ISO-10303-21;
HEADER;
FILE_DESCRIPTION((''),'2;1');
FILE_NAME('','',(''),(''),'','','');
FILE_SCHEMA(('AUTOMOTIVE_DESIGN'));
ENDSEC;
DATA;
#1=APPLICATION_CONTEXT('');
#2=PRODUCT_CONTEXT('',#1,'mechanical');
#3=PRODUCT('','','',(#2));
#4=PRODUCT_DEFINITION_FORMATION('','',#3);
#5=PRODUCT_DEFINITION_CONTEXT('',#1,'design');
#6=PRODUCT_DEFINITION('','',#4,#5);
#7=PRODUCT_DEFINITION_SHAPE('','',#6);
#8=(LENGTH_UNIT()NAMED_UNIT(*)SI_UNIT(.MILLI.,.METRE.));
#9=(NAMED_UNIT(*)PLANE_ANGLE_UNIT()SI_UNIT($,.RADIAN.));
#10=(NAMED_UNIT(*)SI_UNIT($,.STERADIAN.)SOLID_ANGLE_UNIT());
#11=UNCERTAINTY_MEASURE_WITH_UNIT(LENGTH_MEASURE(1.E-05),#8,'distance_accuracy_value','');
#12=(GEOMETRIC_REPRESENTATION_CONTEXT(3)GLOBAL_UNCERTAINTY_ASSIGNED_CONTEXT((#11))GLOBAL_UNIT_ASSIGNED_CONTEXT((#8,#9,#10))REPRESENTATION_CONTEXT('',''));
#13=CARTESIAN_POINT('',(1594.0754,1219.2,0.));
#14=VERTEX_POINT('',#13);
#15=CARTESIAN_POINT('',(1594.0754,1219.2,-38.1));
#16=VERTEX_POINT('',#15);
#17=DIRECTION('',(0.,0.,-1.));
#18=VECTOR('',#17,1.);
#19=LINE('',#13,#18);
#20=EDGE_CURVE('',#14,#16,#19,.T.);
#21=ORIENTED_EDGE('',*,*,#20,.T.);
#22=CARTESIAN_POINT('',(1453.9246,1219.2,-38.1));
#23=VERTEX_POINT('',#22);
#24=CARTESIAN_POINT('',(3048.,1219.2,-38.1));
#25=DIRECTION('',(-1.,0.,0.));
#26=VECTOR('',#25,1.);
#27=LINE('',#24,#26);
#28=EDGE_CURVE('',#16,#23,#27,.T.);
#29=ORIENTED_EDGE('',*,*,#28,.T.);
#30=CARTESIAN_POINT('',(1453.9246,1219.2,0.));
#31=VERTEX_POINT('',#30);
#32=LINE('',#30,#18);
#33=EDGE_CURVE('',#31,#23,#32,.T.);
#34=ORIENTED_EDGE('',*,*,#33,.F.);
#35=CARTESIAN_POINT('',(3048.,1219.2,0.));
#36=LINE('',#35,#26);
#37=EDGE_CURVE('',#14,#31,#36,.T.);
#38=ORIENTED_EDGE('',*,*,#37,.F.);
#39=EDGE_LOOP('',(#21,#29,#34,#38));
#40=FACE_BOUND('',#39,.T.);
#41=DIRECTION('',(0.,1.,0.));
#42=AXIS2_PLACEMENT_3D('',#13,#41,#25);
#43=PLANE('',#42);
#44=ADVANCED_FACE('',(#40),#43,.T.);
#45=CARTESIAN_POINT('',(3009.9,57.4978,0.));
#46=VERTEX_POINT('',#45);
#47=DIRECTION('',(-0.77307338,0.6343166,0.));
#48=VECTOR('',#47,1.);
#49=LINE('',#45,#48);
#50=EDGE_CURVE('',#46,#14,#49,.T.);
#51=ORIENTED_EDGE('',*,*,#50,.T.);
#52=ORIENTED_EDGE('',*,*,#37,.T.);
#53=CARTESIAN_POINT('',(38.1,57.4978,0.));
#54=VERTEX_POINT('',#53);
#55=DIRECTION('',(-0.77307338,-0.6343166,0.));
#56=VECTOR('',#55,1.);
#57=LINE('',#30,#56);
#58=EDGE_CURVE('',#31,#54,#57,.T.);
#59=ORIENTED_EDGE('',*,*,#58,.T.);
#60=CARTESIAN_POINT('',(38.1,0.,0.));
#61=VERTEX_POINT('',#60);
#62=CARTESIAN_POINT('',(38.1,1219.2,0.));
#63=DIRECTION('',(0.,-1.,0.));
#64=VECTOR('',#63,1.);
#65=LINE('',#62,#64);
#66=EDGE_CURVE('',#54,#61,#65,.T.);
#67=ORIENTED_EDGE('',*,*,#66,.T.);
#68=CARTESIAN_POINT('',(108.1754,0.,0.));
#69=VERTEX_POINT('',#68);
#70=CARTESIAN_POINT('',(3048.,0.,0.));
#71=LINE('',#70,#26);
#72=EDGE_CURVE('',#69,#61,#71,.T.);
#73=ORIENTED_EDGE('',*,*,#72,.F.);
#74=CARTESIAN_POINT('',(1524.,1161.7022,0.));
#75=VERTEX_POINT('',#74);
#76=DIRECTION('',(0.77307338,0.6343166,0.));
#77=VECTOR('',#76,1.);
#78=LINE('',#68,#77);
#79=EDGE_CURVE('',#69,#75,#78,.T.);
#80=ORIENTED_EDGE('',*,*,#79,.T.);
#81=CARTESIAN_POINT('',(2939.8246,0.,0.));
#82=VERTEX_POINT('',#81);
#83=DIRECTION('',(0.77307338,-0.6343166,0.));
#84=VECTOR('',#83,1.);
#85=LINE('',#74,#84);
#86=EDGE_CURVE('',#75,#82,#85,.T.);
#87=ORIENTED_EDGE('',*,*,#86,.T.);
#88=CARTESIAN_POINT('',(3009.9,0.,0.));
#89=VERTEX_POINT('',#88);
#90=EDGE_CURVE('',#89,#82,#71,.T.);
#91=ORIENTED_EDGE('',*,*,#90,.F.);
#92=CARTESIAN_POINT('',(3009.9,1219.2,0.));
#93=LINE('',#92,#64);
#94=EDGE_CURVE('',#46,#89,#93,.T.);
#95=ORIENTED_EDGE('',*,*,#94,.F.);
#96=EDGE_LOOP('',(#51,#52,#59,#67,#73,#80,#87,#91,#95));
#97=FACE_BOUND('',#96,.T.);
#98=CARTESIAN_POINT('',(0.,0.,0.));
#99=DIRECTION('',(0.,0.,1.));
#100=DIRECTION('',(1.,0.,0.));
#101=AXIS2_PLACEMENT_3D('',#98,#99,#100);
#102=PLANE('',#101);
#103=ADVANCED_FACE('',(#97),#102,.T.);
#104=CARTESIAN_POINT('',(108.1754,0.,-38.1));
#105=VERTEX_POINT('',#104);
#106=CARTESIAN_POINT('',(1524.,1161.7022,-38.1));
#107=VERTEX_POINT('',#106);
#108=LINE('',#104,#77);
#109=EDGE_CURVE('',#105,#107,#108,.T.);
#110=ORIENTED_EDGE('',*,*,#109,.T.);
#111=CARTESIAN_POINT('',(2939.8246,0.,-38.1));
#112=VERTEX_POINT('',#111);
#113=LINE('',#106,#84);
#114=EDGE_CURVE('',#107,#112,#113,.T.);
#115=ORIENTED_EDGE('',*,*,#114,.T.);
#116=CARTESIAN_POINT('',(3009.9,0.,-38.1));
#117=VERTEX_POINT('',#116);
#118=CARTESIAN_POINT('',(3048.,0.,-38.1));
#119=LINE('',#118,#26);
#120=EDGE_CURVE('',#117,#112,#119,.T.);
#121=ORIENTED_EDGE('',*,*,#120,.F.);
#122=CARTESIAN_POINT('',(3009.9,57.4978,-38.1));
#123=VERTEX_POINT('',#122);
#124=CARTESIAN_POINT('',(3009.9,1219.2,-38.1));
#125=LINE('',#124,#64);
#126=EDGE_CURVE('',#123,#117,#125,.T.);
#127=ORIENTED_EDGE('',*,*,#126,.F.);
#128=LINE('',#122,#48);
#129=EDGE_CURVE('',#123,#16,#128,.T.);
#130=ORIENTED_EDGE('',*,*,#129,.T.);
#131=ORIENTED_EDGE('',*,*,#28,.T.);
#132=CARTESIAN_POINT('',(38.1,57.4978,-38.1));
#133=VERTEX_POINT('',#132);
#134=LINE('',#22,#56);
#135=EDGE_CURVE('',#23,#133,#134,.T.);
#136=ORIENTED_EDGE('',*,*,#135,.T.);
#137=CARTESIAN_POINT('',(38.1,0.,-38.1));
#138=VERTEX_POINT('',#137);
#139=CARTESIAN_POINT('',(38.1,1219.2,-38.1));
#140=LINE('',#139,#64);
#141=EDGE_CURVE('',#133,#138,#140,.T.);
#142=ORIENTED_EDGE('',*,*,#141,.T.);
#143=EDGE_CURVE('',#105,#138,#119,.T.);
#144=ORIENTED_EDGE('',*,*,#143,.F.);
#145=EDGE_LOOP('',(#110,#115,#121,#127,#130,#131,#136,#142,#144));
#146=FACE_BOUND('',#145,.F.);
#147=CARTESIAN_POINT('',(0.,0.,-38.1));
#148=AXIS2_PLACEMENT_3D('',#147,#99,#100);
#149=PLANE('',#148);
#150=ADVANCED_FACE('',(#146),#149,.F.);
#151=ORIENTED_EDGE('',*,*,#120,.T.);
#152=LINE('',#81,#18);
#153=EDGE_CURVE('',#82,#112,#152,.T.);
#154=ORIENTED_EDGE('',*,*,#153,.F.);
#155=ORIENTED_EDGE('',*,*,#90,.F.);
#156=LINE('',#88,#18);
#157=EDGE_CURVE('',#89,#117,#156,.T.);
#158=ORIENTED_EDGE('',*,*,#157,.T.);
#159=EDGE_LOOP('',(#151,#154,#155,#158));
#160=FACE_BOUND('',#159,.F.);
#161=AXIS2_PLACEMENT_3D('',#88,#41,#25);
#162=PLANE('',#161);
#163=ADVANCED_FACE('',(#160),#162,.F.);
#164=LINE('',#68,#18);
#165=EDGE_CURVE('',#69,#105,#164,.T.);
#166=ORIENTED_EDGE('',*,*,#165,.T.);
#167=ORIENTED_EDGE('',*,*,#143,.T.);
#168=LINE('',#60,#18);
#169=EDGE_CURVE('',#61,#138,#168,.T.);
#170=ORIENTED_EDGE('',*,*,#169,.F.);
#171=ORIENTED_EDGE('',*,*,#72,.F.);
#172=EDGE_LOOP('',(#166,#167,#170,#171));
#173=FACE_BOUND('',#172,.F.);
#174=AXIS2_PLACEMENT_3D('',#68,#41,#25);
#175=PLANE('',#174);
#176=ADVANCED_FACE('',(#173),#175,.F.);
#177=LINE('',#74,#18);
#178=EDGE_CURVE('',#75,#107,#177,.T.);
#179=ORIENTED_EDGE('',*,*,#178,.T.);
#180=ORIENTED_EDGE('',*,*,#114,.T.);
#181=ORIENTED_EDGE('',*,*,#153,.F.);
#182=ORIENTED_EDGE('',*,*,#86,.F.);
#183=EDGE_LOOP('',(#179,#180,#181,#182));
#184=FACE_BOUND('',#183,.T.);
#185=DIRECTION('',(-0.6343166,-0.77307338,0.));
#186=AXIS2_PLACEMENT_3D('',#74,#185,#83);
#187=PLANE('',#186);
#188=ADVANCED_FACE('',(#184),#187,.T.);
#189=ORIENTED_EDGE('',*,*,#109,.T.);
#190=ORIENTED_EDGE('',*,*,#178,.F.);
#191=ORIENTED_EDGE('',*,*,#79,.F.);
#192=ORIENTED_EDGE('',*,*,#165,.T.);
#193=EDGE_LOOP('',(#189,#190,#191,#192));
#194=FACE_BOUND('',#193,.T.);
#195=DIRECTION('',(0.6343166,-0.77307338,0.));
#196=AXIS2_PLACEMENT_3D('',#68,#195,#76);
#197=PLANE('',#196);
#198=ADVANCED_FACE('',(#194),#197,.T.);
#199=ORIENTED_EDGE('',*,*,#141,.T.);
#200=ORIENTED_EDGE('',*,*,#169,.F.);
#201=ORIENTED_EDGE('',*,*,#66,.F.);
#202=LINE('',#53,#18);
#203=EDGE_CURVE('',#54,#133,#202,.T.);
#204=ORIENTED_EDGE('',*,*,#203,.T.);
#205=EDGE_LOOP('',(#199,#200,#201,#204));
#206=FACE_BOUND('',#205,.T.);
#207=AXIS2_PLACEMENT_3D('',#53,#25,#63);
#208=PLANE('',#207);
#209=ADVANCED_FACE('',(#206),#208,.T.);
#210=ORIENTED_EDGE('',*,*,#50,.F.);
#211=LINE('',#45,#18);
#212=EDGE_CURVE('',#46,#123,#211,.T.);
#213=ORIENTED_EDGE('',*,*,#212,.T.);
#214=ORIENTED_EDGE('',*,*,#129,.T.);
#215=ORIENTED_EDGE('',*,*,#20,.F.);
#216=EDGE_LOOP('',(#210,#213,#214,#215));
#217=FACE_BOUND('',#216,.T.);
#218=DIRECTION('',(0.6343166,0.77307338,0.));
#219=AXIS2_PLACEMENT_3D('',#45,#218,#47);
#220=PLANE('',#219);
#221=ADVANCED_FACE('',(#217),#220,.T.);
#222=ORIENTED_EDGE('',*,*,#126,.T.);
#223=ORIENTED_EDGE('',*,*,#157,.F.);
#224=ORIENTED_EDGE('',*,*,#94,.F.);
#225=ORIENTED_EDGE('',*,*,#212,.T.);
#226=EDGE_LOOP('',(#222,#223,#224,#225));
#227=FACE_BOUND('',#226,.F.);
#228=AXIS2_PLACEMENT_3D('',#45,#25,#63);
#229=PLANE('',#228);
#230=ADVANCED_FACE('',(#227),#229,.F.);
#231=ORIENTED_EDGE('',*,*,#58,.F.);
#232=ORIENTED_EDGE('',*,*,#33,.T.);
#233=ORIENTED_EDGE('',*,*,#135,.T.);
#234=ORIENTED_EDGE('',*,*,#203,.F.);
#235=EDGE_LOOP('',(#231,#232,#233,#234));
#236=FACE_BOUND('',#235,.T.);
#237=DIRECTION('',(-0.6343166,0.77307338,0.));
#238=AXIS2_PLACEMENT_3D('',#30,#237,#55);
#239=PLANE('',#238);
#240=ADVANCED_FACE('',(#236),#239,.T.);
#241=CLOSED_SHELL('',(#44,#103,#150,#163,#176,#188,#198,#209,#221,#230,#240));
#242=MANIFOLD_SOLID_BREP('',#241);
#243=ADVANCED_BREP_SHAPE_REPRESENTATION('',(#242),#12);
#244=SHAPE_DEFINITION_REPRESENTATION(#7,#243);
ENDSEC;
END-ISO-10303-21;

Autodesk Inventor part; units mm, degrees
ref_plane "YZ Plane" through (0, 0, 0) normal (1, 0, 0) x (0, 1, 0)
ref_plane "XZ Plane" through (0, 0, 0) normal (0, 1, 0) x (-1, 0, 0)
ref_plane "XY Plane" through (0, 0, 0) normal (0, 0, 1) x (1, 0, 0)
sketch "Sketch1" plane through (0, 0, 0) normal (0, 0, 1) x (1, 0, 0)
  line L0 (3048, 0) -> (0, 0) projected
  line L1 (38.1, 1219.2) -> (38.1, 0) projected
  line L2 (3048, 1219.2) -> (0, 1219.2) projected
  line L3 (3009.9, 1219.2) -> (3009.9, 0) projected
  line L4 (3009.9, 57.4978) -> (1594.0754, 1219.2)
  line L5 (1453.9246, 1219.2) -> (38.1, 57.4978)
  line L6 (108.1754, 0) -> (1524, 1161.7022)
  line L7 (1524, 1161.7022) -> (2939.8246, 0)
  line L8 (3009.9, 57.4978) -> (3009.9, 0)
  line L9 (2939.8246, 0) -> (3009.9, 0)
  line L10 (1594.0754, 1219.2) -> (1453.9246, 1219.2)
  line L11 (38.1, 57.4978) -> (38.1, 0)
  line L12 (38.1, 0) -> (108.1754, 0)
extrude "Extrusion1" add sketch "Sketch1" against normal blind 38.1 contours L0 L7 L6 L1 L5 L2 L4 L3
properties part number "side1"
